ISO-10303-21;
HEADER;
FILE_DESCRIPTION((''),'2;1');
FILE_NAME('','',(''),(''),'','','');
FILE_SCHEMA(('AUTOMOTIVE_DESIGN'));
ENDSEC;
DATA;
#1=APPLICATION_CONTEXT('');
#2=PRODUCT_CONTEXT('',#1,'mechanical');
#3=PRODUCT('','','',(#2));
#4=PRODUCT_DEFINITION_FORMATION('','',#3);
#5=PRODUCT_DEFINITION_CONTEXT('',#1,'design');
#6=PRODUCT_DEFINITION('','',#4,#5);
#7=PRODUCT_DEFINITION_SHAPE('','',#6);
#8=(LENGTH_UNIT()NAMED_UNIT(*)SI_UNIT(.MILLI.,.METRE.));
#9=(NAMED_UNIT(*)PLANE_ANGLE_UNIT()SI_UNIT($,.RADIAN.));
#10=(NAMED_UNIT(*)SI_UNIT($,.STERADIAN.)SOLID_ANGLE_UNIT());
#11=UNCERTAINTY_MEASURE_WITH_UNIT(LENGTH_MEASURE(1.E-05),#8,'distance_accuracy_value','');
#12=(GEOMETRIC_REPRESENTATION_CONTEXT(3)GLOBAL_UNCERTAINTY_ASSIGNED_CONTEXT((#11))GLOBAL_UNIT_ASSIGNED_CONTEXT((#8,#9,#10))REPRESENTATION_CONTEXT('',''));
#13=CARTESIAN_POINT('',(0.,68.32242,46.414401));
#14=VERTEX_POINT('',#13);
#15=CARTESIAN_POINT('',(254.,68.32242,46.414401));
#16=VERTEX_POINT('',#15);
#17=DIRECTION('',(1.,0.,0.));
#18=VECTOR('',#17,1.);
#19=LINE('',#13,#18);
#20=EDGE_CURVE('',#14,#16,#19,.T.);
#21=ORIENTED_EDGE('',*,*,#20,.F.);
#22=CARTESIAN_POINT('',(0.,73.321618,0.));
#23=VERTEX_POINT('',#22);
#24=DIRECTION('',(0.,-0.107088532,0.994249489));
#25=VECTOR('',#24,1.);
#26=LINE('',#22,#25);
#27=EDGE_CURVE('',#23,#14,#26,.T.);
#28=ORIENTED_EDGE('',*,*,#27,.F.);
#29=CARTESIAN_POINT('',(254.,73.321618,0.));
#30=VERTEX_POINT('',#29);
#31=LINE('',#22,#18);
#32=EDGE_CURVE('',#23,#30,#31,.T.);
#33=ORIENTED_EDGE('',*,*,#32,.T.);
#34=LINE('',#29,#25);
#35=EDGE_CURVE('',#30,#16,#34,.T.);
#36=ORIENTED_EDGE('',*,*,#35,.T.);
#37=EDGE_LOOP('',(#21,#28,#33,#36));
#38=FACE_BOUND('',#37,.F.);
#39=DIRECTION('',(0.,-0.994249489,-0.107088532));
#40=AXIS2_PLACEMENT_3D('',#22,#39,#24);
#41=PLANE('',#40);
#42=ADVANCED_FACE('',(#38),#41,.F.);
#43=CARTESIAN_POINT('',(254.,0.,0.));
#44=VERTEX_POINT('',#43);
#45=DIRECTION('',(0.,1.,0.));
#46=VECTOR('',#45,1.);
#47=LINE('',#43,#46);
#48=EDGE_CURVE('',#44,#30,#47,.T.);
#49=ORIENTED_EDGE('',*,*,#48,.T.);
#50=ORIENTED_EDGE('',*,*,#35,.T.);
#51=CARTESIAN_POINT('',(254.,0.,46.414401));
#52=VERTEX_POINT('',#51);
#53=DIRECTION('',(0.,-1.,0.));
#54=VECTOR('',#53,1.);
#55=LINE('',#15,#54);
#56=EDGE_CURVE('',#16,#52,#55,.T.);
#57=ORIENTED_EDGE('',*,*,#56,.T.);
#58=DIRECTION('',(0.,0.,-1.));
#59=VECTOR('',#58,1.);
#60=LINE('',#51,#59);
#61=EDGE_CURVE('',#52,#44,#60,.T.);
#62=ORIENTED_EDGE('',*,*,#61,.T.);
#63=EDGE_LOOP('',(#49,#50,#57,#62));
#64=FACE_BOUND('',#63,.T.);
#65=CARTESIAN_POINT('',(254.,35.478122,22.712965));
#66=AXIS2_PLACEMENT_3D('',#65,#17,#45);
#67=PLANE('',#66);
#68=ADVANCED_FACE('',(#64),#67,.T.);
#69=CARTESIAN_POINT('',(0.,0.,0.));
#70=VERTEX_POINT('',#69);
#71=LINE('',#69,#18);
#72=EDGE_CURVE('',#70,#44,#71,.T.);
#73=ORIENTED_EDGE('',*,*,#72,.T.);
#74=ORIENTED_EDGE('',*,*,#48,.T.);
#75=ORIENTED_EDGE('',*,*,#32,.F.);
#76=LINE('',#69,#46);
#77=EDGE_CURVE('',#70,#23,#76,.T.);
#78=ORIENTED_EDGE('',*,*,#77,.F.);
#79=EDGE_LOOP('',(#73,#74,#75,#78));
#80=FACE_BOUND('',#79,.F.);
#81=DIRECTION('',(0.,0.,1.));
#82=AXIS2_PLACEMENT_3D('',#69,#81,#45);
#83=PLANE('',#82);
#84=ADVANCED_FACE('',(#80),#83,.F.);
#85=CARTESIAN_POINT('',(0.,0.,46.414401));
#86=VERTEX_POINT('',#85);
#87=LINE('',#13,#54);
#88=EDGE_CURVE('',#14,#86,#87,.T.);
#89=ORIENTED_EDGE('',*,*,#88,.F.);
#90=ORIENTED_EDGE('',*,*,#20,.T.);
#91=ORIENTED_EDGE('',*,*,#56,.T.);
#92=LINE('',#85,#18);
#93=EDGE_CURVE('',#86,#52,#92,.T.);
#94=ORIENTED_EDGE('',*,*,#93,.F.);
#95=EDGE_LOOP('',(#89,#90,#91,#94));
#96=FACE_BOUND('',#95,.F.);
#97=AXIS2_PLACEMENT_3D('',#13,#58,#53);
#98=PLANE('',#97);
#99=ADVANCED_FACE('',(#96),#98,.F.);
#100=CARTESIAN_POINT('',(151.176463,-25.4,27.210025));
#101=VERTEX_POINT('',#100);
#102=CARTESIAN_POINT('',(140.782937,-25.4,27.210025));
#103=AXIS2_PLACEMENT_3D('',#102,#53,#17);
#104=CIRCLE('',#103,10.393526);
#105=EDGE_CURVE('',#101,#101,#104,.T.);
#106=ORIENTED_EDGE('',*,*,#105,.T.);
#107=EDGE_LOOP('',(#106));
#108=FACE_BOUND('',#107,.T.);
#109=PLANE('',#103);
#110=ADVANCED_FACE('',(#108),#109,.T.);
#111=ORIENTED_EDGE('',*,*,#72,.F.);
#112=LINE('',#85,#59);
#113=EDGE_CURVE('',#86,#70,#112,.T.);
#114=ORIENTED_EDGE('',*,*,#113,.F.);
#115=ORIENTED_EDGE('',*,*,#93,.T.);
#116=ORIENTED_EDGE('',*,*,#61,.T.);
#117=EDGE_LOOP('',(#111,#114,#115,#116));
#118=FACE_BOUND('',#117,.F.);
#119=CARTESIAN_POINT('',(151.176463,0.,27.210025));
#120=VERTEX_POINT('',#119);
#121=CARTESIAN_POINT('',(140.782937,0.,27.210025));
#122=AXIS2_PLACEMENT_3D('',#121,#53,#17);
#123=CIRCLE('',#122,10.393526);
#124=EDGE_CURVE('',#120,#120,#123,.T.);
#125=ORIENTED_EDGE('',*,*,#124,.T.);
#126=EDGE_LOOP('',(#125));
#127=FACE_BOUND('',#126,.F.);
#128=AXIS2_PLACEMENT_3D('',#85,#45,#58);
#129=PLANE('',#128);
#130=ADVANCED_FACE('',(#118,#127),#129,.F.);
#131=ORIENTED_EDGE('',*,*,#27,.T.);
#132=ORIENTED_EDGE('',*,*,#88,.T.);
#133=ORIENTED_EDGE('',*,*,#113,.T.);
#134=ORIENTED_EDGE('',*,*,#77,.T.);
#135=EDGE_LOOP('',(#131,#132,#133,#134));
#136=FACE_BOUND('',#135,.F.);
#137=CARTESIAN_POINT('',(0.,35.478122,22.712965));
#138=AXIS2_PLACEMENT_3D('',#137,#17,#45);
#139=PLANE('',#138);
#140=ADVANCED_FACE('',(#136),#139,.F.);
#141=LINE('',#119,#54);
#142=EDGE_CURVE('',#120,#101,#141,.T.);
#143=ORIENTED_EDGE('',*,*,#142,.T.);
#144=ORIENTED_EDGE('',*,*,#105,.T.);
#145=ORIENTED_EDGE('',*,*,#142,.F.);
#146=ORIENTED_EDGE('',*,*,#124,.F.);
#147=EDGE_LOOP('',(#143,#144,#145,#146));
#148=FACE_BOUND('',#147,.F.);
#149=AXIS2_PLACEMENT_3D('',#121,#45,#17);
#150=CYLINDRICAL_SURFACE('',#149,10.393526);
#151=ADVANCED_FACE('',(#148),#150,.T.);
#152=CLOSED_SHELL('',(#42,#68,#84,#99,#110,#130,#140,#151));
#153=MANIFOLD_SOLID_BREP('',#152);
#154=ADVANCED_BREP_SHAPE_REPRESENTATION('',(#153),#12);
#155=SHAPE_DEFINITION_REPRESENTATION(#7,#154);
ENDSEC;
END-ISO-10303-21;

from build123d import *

# Parameters (mm, degrees)
F1_DEPTH = 254
F2_R     = 10.393526
F3_DEPTH = 25.4


with BuildPart() as f1:
    # F0 (on Right) → F1 (new body)
    with BuildSketch(Plane.YZ):
        Polygon((73.321618, 0), (68.32242, 46.414401), (0, 46.414401), (0, 0), align=None)
    extrude(amount=F1_DEPTH)

    # F2 (on face) → F3 (join)
    with BuildSketch(Plane.XZ):
        with Locations((140.782937, 27.210025)):
            Circle(F2_R)
    extrude(amount=F3_DEPTH)


solid = f1.part
